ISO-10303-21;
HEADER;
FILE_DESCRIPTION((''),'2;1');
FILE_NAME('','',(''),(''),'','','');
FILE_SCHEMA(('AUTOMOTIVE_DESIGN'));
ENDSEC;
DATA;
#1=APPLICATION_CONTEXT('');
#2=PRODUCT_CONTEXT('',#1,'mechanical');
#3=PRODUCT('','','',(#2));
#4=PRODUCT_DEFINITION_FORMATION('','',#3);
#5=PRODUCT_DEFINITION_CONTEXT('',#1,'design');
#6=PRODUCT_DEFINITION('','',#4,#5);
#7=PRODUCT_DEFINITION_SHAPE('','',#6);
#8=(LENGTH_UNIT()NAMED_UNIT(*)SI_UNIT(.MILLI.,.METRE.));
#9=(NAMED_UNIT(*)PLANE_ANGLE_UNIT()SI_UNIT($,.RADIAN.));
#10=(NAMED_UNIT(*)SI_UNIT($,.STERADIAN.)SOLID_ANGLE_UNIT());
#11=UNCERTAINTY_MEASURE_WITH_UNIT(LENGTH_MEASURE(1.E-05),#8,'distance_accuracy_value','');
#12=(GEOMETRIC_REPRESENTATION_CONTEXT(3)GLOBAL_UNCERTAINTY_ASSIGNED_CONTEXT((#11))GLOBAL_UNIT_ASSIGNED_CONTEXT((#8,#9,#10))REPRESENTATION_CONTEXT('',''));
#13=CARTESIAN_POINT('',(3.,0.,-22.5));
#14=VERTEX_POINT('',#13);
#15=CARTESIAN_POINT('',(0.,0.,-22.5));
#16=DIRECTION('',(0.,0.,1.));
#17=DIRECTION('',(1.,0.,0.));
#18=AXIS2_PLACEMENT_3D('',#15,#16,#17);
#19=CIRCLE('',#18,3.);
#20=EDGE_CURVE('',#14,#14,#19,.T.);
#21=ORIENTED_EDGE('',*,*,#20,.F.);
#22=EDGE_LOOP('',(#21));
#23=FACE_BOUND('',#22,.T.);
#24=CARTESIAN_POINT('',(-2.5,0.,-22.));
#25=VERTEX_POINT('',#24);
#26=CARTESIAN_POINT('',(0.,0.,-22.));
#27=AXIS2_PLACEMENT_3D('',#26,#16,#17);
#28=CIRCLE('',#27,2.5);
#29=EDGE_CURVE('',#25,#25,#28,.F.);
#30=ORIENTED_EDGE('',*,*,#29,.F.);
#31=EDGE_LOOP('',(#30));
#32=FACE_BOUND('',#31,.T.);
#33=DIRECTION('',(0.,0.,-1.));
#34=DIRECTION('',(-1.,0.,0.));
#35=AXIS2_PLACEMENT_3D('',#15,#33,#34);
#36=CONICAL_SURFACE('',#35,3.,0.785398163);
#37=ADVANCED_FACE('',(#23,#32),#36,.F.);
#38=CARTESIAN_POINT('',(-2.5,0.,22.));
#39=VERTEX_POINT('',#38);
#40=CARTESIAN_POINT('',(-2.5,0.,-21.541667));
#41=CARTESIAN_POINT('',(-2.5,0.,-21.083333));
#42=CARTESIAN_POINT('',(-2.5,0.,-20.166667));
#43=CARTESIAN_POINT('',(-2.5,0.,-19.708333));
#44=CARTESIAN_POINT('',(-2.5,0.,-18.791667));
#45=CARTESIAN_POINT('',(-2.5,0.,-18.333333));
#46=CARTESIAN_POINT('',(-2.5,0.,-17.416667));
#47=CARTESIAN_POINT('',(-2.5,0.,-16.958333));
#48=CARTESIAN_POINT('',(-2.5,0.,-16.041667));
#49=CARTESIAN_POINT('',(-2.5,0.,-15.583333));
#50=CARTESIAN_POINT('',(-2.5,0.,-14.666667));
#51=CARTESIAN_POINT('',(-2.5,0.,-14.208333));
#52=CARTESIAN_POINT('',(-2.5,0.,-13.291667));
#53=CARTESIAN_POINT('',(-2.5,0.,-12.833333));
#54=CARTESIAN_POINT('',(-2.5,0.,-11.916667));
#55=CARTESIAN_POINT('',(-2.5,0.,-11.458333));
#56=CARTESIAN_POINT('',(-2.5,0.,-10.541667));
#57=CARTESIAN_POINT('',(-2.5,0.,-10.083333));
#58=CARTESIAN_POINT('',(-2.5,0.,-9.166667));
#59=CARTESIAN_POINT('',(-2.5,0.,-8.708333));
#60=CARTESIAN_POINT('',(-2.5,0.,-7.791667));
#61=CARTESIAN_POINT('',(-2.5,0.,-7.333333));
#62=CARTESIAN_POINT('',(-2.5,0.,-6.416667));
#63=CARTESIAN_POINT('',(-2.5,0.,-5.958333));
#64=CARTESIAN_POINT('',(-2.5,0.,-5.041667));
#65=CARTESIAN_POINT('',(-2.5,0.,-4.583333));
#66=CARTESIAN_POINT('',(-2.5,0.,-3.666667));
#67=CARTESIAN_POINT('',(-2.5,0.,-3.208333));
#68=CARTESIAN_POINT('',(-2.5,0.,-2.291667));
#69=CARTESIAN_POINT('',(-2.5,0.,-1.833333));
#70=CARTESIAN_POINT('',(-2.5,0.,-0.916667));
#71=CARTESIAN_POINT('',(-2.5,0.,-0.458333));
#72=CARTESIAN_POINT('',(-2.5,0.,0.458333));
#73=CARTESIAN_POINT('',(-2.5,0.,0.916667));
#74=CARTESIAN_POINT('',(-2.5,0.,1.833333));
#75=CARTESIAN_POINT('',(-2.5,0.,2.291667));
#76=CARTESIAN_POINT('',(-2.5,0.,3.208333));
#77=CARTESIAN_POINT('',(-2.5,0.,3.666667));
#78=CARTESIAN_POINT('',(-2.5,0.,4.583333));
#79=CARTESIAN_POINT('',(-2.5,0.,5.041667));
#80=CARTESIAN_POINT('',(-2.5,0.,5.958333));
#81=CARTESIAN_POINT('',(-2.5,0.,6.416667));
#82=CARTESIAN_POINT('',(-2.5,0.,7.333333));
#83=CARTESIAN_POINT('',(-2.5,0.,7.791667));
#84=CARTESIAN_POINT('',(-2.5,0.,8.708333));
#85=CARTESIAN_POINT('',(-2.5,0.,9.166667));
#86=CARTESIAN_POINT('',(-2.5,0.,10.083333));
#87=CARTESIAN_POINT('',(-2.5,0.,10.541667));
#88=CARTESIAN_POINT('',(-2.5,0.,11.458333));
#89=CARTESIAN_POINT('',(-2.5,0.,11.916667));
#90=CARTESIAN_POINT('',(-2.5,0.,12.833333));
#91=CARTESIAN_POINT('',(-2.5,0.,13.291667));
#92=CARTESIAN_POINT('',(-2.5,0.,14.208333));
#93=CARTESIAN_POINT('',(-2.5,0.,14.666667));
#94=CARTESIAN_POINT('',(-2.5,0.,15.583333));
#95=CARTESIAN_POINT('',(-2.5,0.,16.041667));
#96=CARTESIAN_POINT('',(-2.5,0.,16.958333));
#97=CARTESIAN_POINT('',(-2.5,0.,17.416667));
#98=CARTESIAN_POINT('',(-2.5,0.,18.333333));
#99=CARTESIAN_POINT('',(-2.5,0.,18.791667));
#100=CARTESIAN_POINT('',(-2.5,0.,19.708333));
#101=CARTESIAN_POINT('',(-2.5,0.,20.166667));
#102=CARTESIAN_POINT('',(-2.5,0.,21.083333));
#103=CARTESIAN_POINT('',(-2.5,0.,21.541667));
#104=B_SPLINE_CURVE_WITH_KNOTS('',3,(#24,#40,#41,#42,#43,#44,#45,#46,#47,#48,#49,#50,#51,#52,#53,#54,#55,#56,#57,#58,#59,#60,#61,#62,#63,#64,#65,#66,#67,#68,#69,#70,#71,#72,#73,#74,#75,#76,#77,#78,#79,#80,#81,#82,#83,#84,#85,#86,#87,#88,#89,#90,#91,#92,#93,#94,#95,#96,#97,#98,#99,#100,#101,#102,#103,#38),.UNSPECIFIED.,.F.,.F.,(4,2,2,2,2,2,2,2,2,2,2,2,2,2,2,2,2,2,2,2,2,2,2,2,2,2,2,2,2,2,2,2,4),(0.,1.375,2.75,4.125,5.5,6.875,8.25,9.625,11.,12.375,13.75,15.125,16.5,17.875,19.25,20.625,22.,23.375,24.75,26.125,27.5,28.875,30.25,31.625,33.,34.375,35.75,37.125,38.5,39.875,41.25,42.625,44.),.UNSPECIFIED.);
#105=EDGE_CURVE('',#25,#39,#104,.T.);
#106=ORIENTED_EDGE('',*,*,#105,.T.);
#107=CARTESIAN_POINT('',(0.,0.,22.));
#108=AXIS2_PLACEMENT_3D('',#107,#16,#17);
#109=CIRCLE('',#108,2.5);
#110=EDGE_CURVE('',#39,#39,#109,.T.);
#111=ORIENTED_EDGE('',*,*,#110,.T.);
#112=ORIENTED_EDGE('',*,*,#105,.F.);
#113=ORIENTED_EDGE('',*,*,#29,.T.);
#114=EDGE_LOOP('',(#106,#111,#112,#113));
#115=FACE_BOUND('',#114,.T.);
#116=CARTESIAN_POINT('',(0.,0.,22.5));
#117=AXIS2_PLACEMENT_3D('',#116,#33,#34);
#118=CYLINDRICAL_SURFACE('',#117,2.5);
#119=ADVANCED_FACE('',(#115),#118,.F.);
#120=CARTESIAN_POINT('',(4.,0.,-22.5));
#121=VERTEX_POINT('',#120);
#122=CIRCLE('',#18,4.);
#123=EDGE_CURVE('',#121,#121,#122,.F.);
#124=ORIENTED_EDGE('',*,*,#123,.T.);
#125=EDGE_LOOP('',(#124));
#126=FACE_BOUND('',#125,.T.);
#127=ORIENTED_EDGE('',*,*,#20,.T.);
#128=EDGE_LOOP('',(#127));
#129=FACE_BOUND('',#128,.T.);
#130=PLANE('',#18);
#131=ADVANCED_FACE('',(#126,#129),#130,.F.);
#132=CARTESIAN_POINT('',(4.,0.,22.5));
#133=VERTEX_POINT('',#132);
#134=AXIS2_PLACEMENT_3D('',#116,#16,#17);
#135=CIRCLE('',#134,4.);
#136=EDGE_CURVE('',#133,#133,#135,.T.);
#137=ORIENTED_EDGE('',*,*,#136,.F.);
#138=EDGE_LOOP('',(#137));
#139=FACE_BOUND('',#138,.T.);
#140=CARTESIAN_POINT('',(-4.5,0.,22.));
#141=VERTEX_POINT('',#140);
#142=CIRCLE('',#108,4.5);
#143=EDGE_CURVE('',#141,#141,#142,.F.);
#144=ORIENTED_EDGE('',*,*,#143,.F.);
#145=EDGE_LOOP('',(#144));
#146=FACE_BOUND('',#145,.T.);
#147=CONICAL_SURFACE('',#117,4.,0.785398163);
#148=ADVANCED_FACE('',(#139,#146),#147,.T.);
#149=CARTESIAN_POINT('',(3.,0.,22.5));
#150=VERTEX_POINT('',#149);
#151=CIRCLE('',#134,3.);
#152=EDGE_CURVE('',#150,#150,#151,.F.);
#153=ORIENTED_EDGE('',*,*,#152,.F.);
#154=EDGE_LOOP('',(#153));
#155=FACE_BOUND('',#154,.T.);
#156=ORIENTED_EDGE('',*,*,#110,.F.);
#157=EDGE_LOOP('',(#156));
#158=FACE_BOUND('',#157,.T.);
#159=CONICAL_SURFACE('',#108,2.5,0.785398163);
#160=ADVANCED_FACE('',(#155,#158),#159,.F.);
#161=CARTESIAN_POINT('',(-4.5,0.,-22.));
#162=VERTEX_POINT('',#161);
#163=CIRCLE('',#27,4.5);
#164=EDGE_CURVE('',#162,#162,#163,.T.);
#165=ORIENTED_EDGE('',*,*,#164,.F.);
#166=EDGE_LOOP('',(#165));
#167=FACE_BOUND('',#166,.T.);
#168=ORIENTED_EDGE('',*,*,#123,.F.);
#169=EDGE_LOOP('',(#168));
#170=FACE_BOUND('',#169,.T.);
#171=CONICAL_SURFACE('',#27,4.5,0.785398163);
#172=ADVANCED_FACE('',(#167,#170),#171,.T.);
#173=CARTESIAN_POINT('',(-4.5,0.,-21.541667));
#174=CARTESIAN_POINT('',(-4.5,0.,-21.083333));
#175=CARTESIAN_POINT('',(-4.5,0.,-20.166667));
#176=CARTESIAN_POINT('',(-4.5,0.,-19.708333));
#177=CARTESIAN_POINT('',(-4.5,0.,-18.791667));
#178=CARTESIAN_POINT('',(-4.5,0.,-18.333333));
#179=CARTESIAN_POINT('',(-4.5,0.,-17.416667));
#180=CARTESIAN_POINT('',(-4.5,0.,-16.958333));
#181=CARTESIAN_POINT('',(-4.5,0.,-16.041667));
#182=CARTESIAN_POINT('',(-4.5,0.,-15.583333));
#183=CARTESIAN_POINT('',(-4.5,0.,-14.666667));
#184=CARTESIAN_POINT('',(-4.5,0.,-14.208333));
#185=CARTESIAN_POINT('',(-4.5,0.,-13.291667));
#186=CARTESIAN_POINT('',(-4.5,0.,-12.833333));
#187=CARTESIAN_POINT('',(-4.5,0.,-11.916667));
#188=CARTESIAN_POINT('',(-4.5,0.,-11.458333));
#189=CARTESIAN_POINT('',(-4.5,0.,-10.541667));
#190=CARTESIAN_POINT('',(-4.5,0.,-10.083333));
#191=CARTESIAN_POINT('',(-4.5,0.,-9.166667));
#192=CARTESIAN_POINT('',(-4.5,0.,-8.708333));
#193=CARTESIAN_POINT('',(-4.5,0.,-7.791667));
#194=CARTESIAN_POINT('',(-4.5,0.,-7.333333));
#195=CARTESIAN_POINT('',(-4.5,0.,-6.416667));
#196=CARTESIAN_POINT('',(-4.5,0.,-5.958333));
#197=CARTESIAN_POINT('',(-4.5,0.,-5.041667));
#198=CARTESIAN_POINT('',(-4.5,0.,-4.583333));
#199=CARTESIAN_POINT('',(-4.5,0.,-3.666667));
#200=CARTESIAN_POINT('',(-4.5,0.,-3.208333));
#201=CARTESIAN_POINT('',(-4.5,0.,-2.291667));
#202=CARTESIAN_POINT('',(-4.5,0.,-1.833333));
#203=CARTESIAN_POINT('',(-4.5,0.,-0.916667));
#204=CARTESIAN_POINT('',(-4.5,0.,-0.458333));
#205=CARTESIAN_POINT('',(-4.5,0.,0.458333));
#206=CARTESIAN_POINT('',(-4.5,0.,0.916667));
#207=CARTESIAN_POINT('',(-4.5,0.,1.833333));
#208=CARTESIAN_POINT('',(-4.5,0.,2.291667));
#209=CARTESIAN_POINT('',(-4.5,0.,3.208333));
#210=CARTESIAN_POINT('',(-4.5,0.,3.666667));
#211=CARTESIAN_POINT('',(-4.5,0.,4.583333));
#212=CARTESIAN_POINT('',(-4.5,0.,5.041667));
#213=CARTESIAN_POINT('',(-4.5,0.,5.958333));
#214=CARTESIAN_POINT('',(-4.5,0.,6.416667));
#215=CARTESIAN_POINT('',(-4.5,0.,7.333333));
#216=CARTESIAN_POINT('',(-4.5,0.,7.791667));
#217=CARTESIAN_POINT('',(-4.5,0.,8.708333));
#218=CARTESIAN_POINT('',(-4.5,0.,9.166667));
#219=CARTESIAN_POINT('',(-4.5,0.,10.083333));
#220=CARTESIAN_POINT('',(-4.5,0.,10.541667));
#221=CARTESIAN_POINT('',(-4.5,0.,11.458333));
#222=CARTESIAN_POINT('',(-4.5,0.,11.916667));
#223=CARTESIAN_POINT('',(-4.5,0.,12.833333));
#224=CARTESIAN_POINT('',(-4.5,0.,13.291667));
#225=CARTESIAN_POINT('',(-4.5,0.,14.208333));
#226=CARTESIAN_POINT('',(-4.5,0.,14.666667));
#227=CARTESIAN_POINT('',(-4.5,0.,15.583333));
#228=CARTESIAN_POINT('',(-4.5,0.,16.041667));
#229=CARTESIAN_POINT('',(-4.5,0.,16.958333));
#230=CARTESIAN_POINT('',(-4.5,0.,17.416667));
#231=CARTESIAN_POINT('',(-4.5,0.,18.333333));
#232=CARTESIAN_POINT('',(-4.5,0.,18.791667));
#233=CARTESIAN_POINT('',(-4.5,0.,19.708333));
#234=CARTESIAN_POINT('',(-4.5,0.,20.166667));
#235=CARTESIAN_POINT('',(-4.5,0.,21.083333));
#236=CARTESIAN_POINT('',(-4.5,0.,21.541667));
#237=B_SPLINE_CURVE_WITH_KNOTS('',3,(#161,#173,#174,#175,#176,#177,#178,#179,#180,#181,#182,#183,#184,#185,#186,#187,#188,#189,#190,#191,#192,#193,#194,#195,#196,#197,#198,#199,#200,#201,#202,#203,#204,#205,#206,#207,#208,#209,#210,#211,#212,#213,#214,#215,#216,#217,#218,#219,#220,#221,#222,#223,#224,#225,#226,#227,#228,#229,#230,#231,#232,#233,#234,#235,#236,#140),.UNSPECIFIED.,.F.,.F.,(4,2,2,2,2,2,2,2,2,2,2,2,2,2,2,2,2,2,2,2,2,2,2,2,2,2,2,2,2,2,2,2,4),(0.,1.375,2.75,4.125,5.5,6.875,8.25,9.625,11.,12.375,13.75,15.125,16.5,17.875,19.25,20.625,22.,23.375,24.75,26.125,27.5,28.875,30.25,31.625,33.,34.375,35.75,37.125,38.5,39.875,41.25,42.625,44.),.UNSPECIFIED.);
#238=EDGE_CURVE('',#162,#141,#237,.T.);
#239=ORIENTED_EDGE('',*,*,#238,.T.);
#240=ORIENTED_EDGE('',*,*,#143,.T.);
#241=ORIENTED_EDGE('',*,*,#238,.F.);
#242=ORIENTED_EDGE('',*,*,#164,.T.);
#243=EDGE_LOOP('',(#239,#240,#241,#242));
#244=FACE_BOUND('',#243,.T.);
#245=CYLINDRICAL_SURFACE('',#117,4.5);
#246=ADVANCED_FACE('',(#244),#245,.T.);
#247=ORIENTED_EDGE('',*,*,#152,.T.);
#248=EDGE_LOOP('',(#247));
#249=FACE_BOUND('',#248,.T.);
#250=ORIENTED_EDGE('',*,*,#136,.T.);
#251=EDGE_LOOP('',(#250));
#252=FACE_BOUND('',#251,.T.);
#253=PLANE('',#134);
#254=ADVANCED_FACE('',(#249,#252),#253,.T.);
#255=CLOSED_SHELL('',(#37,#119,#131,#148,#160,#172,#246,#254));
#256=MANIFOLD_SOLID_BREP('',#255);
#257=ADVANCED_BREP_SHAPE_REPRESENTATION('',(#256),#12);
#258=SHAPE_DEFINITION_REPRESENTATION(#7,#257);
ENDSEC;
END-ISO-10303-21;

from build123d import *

# Parameters (mm, degrees)
SKETCH1_R           = 4.5
SKETCH1_R_2         = 2.5
BOSS_EXTRUDE1_DEPTH = 22.5
CHAMFER1_SIZE       = 0.5


with BuildPart() as part:
    # Sketch1 → Boss-Extrude1 (new, symmetric)
    with BuildSketch(Plane.XY):
        with Locations(Location((0, 0, 0), (0, 0, 180))):
            Circle(SKETCH1_R)
        with Locations(Location((0, 0, 0), (0, 0, 180))):
            Circle(SKETCH1_R_2, mode=Mode.SUBTRACT)
    extrude(amount=BOSS_EXTRUDE1_DEPTH, both=True)

    # Chamfer1
    chamfer1_edges = [part.edges().sort_by_distance(p)[0] for p in [
        (4.5, 0, -22.5),
        (4.5, 0, 22.5),
        (2.5, 0, -22.5),
        (2.5, 0, 22.5),
    ]]
    chamfer(chamfer1_edges, length=CHAMFER1_SIZE)


solid = part.part
